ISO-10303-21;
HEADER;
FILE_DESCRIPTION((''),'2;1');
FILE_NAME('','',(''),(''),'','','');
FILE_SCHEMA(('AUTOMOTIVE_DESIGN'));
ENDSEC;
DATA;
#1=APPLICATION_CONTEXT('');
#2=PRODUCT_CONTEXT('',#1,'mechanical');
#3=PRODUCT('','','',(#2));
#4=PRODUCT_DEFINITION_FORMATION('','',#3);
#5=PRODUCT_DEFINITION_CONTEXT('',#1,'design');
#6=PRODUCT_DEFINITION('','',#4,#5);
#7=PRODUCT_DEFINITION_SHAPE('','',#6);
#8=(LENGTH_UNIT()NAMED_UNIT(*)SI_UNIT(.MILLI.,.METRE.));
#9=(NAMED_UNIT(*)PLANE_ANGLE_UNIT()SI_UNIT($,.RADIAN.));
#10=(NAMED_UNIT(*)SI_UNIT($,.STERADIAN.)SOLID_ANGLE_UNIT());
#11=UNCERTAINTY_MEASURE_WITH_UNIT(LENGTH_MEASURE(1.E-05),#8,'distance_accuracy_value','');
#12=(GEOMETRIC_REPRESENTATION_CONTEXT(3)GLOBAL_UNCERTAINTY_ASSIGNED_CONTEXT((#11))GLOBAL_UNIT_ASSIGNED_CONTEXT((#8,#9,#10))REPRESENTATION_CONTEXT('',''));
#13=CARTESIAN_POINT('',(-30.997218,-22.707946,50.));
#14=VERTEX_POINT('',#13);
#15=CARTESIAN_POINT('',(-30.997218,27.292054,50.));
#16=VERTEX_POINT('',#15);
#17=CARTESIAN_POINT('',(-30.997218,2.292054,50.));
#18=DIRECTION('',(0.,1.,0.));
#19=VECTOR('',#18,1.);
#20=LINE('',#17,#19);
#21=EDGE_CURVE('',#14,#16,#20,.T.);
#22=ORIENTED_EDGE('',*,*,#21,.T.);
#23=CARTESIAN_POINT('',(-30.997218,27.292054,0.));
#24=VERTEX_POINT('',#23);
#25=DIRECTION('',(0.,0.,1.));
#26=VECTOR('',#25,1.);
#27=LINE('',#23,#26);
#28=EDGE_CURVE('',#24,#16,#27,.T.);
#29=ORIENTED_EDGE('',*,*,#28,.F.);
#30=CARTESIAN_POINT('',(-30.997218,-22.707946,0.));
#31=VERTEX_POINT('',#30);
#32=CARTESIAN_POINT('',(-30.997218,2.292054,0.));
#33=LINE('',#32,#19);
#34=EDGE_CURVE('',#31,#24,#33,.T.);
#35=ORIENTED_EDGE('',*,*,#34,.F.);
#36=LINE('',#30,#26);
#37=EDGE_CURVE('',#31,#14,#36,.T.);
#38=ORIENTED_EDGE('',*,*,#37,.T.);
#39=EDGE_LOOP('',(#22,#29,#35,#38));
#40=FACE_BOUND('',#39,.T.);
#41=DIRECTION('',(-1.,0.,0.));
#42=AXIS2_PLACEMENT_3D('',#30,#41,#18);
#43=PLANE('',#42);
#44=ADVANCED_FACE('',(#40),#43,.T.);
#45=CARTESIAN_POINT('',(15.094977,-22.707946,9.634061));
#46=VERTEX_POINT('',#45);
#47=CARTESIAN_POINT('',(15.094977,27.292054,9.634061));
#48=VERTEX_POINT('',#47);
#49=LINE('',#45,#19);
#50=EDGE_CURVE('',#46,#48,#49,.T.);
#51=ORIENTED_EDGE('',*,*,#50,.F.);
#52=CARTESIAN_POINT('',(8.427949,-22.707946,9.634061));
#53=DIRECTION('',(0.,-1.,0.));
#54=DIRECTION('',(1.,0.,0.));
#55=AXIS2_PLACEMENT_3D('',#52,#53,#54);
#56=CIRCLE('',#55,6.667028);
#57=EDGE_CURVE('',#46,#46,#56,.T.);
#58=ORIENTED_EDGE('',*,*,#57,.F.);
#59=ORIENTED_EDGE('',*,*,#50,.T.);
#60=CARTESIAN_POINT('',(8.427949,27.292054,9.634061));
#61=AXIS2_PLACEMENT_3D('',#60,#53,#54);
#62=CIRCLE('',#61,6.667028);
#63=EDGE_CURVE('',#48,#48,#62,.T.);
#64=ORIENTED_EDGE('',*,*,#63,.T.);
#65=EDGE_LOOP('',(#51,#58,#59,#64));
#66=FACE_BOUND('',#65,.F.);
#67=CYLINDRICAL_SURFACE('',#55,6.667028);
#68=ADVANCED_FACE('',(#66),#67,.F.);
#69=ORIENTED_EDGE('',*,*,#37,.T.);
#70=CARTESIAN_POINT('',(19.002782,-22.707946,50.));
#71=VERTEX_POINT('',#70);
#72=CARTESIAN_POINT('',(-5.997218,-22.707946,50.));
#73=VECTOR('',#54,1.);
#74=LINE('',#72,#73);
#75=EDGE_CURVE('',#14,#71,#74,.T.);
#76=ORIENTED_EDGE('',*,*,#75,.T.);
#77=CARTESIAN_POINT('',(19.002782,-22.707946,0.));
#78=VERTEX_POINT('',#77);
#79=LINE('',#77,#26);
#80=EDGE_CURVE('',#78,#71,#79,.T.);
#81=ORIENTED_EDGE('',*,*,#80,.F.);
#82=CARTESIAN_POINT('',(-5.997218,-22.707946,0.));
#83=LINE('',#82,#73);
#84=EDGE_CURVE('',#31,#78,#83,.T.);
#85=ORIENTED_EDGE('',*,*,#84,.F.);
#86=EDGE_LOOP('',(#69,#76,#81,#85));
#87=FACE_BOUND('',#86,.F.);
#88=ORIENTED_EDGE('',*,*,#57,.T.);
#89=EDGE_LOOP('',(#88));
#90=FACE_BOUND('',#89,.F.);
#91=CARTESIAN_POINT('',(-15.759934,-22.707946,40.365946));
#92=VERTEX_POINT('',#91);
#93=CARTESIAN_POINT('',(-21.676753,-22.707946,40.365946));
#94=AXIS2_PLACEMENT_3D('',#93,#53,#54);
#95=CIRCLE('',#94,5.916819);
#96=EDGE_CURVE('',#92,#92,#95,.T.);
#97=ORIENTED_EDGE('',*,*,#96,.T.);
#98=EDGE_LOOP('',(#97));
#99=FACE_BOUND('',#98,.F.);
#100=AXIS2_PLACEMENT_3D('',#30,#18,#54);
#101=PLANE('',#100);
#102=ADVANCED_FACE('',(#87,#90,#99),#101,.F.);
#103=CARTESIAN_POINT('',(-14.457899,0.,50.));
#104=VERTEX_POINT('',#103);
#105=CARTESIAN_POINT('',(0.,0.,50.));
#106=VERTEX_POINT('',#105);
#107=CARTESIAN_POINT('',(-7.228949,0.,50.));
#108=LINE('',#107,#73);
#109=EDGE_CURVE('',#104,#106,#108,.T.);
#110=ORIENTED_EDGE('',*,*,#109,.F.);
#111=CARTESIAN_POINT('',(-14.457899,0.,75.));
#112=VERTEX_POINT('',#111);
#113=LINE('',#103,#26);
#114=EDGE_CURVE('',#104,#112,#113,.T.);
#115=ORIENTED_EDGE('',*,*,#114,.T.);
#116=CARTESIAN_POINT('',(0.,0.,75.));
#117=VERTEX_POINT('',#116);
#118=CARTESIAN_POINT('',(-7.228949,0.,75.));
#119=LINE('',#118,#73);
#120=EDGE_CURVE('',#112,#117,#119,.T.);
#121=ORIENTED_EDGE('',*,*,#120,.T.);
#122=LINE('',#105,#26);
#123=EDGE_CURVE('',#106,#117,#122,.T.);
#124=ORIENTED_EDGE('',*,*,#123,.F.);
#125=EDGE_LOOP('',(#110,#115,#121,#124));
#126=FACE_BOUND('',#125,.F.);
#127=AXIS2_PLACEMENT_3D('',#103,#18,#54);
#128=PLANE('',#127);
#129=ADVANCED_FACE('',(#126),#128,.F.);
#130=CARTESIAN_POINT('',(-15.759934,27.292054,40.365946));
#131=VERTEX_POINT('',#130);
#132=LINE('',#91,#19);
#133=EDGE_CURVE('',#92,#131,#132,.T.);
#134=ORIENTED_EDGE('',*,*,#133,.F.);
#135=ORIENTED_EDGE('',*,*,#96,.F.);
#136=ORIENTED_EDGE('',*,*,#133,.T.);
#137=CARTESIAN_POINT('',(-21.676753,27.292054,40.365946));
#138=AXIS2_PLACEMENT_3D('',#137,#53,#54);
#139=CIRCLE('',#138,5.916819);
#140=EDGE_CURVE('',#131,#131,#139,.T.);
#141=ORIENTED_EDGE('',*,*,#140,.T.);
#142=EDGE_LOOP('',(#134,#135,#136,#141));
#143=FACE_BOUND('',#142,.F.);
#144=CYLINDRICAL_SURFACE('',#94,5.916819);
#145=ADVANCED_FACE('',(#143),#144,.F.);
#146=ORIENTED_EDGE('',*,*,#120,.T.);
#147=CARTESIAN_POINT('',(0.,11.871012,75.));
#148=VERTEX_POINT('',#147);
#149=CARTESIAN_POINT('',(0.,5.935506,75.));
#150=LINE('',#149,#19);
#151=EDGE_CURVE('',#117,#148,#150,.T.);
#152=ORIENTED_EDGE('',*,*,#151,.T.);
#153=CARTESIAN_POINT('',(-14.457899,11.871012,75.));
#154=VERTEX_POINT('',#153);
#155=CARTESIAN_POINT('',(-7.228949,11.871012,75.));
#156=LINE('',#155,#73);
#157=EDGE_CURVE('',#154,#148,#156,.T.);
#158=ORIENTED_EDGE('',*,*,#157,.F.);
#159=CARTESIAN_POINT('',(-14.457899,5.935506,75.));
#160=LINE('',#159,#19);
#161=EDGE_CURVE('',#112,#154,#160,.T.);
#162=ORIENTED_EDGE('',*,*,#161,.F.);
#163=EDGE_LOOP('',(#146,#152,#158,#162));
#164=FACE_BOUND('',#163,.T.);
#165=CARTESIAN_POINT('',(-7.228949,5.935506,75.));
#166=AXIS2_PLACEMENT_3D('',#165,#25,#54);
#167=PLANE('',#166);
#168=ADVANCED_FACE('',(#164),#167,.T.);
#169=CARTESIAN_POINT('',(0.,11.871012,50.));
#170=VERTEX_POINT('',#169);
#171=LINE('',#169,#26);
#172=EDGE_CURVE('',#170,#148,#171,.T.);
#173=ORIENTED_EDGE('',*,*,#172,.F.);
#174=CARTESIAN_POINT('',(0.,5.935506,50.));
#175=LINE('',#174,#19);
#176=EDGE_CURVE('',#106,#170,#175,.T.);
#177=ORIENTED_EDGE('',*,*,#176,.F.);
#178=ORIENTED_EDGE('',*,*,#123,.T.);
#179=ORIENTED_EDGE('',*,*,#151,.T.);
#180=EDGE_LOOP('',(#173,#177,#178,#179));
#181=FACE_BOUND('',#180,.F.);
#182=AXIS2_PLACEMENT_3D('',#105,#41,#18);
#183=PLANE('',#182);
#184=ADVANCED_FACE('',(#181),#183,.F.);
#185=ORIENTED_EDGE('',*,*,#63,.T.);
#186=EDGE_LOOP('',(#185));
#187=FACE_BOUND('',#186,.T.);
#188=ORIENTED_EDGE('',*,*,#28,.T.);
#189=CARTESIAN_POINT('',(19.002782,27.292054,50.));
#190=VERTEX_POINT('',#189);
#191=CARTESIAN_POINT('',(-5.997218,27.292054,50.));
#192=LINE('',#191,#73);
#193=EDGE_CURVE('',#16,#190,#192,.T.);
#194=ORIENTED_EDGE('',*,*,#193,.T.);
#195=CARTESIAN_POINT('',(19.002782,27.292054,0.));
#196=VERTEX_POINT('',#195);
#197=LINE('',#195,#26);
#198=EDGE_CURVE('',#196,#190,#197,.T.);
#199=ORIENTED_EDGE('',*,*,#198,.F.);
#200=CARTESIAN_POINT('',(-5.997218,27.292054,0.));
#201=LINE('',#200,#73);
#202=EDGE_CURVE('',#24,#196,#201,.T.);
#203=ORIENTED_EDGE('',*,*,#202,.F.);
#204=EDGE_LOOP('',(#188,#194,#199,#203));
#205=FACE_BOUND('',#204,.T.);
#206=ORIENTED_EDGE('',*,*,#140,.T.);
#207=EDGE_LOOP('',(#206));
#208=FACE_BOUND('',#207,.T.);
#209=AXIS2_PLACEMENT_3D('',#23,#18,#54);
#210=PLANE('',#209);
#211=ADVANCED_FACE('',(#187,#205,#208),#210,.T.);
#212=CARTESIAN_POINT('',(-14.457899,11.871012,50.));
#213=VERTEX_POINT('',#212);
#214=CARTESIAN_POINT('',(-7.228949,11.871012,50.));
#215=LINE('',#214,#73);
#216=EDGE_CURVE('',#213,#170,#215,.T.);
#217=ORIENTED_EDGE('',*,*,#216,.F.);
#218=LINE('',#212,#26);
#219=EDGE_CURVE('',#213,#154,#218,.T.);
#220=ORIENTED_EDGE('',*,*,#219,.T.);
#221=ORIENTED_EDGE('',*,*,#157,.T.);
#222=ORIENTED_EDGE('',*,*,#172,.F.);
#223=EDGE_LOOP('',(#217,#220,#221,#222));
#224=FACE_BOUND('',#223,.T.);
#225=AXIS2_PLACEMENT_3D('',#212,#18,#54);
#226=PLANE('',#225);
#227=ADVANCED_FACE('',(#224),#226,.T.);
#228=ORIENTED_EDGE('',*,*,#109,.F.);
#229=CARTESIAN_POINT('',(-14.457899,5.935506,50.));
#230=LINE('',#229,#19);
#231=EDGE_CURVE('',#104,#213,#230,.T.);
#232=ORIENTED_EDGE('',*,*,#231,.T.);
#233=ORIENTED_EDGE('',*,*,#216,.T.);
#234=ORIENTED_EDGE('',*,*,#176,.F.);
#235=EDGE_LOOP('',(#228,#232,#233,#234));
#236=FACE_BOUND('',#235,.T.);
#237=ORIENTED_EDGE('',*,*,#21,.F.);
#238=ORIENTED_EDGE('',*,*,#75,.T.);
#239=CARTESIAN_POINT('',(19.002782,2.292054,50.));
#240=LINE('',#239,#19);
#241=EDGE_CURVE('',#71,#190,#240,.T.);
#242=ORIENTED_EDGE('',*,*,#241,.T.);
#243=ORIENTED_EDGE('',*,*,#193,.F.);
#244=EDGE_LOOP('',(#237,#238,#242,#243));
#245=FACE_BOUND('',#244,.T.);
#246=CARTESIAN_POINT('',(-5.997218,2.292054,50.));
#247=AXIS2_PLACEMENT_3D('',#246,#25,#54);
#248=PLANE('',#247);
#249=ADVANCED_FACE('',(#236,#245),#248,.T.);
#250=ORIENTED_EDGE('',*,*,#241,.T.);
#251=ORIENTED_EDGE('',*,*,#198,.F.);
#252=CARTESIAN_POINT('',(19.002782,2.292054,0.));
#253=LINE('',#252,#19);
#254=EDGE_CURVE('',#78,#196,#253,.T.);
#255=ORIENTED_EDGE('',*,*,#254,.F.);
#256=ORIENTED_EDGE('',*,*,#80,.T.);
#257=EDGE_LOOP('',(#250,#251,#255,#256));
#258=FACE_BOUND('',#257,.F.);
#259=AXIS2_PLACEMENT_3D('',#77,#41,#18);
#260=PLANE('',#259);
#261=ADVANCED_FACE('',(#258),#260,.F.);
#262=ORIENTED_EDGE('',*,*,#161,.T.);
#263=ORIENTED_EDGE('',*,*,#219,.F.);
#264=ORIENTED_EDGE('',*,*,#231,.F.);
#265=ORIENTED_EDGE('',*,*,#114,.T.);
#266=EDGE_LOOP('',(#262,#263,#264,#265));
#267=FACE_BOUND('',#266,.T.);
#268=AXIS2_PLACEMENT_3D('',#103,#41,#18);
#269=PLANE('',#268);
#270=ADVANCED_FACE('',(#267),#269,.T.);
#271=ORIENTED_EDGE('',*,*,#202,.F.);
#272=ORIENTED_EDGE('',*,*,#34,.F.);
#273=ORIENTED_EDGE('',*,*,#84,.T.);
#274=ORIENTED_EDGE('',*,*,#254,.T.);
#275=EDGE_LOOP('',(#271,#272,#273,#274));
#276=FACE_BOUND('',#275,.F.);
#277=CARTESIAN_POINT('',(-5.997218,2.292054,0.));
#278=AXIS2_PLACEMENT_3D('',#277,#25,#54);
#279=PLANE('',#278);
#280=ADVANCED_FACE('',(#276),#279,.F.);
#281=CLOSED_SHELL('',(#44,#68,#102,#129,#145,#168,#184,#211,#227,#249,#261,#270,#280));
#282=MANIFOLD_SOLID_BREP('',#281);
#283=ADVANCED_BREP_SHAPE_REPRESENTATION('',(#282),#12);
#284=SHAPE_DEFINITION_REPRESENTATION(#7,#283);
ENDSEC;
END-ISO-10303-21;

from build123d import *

# Parameters (mm, degrees)
F0_W     = 50
F0_H     = 50
F1_DEPTH = 50
F2_R     = 5.916819
F2_R_2   = 6.667028
F3_DEPTH = 50.001
F4_W     = 14.457899
F4_H     = 11.871012
F5_DEPTH = 25


with BuildPart() as f1:
    # F0 (on Top) → F1 (new body)
    with BuildSketch(Plane.XY):
        with Locations((-5.997218, 2.292054)):
            Rectangle(F0_W, F0_H)
    extrude(amount=F1_DEPTH)

    # F2 (on face) → F3 (cut, through all)
    with BuildSketch(Plane.XZ.offset(22.707946)):
        with Locations((-21.676753, 40.365946)):
            Circle(F2_R)
        with Locations((8.427949, 9.634061)):
            Circle(F2_R_2)
    extrude(amount=-F3_DEPTH, mode=Mode.SUBTRACT)

    # F4 (on face) → F5 (join)
    with BuildSketch(Plane.XY.offset(50)):
        with Locations((-7.228949, 5.935506)):
            Rectangle(F4_W, F4_H)
    extrude(amount=F5_DEPTH)


solid = f1.part
